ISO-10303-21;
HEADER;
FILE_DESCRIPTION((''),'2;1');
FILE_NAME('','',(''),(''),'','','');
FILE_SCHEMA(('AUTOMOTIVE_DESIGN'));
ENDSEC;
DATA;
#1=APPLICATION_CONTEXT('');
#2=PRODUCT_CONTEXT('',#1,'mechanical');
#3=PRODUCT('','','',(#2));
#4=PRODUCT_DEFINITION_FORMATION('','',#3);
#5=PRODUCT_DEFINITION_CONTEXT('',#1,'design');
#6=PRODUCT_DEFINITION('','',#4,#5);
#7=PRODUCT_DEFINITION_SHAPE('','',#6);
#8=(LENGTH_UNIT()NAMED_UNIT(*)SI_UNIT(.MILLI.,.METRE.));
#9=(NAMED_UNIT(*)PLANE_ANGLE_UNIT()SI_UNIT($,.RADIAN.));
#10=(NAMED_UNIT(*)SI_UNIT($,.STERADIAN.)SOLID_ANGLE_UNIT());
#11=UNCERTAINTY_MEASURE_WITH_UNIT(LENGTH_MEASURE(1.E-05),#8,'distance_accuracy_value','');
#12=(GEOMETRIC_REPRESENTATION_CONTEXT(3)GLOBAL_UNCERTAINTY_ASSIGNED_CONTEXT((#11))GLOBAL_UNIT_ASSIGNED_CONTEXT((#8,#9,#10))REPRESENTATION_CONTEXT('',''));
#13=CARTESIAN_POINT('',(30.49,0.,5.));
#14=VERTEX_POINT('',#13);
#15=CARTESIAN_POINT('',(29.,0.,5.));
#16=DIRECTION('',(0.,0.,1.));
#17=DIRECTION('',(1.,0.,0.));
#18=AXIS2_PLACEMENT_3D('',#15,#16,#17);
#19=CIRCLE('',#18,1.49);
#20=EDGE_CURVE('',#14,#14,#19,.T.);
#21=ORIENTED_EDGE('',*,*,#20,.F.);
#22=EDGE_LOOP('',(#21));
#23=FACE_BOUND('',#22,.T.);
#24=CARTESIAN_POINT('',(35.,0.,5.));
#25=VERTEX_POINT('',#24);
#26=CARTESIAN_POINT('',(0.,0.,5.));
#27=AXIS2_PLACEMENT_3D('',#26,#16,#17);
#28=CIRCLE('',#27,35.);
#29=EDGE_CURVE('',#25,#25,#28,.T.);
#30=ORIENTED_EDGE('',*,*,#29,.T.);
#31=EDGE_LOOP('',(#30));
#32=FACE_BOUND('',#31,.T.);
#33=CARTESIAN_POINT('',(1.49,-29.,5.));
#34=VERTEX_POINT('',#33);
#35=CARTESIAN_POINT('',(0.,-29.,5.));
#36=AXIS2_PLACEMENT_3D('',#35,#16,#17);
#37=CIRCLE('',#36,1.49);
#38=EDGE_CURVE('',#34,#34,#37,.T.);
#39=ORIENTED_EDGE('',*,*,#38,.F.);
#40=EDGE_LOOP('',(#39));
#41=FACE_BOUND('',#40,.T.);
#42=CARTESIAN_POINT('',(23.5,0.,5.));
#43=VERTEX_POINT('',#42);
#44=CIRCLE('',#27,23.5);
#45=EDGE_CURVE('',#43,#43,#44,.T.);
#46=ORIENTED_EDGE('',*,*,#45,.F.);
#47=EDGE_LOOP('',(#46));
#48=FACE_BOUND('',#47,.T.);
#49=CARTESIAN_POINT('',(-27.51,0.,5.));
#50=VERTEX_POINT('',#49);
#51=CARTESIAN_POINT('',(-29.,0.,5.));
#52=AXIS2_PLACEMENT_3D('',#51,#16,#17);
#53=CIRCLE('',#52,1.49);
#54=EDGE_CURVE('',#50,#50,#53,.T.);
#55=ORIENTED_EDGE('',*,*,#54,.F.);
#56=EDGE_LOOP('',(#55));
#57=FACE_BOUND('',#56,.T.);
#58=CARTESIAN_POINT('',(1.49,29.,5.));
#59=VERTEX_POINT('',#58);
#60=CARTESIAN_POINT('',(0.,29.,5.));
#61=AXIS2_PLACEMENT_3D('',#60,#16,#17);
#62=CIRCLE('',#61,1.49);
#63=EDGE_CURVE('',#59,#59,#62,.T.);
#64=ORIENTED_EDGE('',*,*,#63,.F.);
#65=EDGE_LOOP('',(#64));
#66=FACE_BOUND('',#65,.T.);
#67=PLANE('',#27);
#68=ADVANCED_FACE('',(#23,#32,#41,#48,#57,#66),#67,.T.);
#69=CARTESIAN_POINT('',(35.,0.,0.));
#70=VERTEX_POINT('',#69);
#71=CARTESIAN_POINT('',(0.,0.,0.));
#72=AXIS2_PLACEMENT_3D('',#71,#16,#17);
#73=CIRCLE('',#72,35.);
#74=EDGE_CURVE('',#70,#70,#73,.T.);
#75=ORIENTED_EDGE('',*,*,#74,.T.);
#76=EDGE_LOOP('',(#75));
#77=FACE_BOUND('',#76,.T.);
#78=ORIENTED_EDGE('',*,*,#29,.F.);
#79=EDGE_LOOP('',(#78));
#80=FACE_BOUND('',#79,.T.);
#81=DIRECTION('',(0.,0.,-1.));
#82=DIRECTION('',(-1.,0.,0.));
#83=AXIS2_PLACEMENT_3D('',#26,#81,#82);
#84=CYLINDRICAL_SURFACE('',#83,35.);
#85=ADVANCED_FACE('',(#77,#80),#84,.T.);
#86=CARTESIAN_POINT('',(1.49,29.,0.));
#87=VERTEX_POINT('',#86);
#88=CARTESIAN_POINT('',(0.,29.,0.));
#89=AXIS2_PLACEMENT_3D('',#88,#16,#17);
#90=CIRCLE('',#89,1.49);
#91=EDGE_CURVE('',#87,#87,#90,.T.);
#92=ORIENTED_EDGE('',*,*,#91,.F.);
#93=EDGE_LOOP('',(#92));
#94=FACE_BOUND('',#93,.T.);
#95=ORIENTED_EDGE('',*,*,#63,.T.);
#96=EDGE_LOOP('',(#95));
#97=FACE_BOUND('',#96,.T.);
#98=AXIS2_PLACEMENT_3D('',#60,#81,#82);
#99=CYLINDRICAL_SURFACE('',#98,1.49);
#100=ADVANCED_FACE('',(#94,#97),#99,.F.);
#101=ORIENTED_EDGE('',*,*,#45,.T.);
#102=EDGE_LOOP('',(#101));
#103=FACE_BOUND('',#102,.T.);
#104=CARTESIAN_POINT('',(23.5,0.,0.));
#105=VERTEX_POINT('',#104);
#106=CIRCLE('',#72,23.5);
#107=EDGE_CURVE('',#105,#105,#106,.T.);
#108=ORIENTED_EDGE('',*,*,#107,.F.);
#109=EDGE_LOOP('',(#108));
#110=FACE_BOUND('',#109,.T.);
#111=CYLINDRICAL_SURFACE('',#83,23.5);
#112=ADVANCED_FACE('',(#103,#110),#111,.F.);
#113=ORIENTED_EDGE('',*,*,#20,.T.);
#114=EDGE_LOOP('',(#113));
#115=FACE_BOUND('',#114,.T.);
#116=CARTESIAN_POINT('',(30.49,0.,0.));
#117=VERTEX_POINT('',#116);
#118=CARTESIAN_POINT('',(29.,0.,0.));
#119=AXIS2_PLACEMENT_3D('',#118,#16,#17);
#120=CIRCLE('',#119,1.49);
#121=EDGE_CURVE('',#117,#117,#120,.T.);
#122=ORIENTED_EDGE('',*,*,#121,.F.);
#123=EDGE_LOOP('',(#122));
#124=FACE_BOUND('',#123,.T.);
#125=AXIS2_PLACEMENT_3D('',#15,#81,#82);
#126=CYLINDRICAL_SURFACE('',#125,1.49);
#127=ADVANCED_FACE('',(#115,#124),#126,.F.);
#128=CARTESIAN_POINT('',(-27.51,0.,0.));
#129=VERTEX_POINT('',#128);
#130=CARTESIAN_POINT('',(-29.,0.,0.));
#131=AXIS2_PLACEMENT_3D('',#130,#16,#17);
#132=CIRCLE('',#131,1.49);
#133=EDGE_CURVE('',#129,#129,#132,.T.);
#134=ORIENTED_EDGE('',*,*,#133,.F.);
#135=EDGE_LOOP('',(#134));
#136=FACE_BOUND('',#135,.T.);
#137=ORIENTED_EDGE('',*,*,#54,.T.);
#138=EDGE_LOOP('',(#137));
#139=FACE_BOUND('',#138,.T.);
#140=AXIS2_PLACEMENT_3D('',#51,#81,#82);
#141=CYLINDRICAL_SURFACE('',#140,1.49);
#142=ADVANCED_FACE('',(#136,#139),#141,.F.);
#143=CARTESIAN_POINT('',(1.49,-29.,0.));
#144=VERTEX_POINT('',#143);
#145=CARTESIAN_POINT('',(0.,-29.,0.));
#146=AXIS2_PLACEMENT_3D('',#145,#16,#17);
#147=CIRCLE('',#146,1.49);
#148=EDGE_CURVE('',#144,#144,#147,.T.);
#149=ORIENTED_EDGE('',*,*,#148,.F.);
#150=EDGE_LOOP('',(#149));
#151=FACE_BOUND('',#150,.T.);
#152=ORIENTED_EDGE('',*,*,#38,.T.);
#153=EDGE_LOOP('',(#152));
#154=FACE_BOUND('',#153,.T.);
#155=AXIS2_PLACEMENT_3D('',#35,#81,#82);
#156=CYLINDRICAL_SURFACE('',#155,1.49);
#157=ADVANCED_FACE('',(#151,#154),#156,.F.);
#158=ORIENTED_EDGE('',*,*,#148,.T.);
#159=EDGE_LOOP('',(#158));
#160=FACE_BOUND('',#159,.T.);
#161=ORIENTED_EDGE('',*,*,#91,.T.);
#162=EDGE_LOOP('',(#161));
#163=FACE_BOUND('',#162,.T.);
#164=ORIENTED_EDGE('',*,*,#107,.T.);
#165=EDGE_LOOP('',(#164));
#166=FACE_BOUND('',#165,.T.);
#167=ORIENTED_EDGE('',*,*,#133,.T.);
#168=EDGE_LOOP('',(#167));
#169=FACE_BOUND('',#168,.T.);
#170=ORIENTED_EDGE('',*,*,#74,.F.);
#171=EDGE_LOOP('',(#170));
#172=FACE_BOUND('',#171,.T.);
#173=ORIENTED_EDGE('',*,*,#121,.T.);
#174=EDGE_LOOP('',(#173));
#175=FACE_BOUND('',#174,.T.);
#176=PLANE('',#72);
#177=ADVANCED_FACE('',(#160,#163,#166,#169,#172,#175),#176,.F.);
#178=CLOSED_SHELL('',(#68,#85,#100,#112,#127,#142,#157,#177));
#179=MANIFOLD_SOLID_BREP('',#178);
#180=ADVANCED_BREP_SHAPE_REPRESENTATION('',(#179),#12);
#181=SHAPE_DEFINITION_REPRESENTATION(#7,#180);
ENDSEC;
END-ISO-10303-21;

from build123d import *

# Parameters (mm, degrees)
SKETCH1_R           = 35
SKETCH1_R_2         = 23.5
SKETCH1_R_3         = 1.49
BOSS_EXTRUDE1_DEPTH = 5


with BuildPart() as part:
    # Sketch1 → Boss-Extrude1 (new body)
    with BuildSketch(Plane.XY):
        Circle(SKETCH1_R)
        Circle(SKETCH1_R_2, mode=Mode.SUBTRACT)
        with Locations((29, 0)):
            Circle(SKETCH1_R_3, mode=Mode.SUBTRACT)
        with Locations((0, 29)):
            Circle(SKETCH1_R_3, mode=Mode.SUBTRACT)
        with Locations((-29, 0)):
            Circle(SKETCH1_R_3, mode=Mode.SUBTRACT)
        with Locations((0, -29)):
            Circle(SKETCH1_R_3, mode=Mode.SUBTRACT)
    extrude(amount=BOSS_EXTRUDE1_DEPTH)


solid = part.part
